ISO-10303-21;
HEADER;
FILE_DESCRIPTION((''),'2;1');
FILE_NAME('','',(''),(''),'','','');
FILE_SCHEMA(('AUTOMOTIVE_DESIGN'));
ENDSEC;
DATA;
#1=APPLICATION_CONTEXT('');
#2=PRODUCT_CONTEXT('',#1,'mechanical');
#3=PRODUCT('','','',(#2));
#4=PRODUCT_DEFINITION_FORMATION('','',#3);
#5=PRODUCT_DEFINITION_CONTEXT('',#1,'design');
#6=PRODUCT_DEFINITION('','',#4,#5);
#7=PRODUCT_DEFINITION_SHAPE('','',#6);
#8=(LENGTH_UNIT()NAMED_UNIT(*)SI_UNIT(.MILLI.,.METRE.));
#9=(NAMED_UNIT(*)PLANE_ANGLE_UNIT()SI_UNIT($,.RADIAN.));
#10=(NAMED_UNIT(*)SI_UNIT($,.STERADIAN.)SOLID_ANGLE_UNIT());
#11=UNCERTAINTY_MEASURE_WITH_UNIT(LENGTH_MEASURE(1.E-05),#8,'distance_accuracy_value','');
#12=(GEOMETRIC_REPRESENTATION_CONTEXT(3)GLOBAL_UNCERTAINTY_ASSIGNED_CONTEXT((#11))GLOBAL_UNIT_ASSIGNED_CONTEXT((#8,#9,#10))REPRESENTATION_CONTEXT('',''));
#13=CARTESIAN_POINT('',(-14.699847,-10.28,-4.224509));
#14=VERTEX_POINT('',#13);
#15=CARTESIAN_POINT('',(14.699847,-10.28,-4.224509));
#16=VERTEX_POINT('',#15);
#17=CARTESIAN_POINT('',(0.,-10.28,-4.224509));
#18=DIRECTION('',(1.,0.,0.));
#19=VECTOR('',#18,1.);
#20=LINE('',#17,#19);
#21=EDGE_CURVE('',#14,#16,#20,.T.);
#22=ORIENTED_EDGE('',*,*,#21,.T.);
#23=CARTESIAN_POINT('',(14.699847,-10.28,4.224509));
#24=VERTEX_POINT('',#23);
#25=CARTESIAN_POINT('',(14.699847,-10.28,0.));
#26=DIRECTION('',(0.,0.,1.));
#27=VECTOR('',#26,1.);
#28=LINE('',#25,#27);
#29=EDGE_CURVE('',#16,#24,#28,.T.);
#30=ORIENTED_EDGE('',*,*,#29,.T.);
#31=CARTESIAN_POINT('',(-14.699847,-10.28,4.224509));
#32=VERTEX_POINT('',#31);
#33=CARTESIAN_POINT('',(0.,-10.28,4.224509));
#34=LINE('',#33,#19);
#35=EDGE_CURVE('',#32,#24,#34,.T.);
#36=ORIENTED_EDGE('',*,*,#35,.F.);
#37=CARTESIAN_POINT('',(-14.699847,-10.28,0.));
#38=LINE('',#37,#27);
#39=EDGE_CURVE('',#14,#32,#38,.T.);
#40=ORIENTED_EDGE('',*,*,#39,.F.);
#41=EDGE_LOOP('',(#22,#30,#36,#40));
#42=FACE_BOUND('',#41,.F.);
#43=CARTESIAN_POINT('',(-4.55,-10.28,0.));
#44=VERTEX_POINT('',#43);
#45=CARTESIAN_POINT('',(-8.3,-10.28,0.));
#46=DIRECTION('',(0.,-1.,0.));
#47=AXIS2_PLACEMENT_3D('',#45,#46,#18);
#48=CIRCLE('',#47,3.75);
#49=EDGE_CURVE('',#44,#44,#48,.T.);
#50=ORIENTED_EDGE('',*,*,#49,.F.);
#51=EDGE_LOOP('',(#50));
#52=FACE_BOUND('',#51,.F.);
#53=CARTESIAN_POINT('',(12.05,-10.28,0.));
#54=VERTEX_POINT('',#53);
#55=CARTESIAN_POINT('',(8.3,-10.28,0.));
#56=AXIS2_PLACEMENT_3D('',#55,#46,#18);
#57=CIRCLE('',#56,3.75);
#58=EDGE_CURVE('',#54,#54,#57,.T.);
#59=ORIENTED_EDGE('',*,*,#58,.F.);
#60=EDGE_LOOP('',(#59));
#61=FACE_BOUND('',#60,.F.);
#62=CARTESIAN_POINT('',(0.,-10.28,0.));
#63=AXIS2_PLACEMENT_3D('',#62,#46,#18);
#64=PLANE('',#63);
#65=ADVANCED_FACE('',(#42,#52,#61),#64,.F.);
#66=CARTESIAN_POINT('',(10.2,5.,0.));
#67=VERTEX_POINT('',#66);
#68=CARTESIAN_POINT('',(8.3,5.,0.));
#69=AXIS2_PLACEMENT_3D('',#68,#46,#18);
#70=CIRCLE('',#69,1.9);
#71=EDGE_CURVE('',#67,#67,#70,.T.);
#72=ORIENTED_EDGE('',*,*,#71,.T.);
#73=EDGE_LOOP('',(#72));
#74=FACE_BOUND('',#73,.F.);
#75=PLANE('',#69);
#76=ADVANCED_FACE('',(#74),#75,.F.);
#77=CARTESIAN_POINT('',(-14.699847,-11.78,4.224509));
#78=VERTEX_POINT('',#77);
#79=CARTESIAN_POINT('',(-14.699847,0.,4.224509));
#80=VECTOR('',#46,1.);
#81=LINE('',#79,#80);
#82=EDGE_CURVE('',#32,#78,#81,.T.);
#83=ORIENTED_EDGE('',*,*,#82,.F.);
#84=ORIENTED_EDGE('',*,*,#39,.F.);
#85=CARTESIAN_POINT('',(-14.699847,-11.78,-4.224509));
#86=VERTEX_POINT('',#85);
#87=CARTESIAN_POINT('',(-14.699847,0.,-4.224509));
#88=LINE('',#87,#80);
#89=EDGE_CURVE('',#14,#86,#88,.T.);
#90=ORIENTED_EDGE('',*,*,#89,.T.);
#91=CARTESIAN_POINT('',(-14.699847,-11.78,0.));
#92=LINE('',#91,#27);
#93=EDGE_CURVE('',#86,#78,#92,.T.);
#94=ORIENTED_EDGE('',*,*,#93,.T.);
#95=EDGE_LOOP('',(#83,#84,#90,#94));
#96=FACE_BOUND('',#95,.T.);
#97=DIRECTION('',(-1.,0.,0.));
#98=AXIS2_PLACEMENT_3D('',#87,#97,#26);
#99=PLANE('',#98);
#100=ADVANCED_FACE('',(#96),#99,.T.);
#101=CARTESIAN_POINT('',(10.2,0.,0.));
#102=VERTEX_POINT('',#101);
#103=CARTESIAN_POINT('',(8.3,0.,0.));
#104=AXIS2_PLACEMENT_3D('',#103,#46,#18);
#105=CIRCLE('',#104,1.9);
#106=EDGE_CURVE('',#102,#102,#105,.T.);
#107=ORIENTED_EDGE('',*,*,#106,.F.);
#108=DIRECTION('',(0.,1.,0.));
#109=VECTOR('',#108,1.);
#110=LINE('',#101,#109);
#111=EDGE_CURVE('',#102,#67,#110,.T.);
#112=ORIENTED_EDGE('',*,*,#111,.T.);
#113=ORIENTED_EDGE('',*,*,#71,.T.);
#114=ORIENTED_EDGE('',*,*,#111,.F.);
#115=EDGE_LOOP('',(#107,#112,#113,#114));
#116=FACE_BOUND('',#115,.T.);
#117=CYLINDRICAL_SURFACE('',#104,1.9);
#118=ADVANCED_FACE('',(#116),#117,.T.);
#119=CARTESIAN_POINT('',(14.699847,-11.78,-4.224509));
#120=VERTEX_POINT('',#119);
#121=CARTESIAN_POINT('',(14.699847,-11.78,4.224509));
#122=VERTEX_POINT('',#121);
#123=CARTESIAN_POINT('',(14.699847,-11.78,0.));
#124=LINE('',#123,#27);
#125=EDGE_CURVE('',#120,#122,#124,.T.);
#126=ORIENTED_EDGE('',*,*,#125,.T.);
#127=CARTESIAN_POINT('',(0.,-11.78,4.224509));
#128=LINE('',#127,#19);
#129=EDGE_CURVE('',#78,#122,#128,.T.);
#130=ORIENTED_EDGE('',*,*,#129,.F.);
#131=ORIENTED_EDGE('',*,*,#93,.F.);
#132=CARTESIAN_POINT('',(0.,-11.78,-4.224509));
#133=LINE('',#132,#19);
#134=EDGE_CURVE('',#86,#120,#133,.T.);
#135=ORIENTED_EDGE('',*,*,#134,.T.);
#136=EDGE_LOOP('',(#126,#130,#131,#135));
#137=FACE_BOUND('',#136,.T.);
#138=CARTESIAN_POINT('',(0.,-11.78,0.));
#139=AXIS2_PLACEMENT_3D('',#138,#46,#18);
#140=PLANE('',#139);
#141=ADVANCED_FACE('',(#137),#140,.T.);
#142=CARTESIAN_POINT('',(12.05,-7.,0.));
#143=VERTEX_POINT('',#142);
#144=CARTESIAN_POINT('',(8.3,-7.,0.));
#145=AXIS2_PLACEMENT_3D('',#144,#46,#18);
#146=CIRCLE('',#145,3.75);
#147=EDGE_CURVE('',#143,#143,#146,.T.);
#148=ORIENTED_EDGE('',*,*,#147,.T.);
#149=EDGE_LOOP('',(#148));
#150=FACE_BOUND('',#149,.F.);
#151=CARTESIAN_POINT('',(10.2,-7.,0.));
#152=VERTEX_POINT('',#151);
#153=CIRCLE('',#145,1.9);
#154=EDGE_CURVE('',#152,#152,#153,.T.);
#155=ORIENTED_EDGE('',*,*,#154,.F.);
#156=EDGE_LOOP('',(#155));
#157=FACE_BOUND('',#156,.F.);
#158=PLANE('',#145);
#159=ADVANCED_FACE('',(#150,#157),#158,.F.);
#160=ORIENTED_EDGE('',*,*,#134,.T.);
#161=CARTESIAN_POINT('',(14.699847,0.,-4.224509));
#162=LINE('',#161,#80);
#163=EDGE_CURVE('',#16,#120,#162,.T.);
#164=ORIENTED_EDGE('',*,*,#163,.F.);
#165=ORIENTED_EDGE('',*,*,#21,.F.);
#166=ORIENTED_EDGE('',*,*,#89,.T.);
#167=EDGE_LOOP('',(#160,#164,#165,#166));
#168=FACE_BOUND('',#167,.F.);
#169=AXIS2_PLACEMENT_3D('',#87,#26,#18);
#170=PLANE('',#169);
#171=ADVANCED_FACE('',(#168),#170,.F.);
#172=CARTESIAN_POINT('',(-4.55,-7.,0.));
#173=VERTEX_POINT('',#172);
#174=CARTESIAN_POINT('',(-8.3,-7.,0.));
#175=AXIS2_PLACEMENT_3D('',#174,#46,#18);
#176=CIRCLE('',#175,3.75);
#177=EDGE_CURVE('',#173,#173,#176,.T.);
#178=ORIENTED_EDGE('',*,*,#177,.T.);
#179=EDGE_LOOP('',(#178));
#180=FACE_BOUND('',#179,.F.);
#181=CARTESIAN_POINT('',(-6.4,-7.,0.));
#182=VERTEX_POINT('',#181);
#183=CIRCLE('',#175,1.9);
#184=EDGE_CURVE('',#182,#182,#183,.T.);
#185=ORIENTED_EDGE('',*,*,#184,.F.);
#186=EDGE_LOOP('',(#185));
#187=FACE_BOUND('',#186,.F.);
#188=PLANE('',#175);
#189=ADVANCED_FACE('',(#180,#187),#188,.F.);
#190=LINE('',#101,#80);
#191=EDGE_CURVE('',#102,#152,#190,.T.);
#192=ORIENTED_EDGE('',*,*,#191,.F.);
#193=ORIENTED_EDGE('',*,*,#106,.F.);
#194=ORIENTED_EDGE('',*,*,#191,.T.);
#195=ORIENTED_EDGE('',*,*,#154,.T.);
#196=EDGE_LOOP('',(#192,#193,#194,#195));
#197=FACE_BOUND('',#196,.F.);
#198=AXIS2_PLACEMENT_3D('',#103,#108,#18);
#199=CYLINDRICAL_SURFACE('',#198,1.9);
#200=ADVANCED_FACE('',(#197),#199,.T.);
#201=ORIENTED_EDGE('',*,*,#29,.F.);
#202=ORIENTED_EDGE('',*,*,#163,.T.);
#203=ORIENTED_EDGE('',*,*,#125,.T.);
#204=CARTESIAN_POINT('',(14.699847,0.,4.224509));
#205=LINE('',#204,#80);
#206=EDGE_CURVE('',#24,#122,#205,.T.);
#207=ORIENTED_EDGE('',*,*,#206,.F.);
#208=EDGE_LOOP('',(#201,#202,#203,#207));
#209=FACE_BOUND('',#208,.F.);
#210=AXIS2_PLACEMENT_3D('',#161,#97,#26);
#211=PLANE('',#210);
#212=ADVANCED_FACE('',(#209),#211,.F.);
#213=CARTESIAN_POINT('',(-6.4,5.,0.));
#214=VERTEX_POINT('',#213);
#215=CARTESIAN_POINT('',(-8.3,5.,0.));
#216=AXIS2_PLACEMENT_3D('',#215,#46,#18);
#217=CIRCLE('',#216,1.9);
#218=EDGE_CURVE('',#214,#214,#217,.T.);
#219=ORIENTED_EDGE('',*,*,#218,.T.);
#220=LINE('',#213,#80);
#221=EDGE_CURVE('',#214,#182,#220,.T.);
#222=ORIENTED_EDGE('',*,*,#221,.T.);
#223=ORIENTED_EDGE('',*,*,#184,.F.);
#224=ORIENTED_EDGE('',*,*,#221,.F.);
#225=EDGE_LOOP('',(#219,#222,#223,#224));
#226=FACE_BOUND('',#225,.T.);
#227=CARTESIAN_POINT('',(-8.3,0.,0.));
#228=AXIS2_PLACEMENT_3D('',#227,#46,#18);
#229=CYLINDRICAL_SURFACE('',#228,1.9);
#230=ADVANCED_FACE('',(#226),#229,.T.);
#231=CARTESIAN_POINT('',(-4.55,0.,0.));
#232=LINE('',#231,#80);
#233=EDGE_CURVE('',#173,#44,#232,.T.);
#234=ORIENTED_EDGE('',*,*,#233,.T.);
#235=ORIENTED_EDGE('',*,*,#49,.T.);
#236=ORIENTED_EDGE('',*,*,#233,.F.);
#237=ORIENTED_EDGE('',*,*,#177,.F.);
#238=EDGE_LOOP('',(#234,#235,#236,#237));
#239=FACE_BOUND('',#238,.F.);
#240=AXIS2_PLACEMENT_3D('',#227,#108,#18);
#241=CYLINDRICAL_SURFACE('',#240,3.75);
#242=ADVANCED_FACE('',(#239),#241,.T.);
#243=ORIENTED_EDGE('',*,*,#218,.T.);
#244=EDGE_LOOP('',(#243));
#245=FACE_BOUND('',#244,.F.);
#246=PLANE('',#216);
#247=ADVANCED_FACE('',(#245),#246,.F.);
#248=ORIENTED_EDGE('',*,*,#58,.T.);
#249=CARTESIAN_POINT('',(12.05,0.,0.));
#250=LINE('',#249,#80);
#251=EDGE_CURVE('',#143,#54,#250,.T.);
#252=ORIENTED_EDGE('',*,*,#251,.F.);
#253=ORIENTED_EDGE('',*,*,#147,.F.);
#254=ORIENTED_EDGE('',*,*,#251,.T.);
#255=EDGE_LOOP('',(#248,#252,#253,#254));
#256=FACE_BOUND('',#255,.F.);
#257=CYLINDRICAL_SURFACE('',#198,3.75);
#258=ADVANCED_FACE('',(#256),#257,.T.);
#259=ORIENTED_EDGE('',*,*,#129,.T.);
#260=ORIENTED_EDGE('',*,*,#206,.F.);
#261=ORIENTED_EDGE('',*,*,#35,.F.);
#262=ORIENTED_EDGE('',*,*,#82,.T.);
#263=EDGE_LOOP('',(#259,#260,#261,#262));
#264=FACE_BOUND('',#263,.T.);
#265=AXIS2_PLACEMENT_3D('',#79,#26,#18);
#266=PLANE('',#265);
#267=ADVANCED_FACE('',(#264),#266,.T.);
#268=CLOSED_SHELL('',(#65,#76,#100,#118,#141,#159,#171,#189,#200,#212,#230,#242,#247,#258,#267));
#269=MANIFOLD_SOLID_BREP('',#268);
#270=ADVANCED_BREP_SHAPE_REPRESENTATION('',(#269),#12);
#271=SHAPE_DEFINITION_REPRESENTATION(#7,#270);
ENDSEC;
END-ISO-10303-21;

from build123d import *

# Parameters (mm, degrees)
F0_W     = 29.399694
F0_H     = 8.449018
F0_R     = 3.75
F0_R_2   = 1.9
F1_DEPTH = 11.78
F2_DEPTH = 10.28
F3_DEPTH = 7
F4_DEPTH = 5


with BuildPart() as f1:
    # F0 (on Front) → F1 (new body)
    with BuildSketch(Plane.XZ):
        Rectangle(F0_W, F0_H)
        with Locations((-8.3, 0)):
            Circle(F0_R, mode=Mode.SUBTRACT)
        with Locations((8.3, 0)):
            Circle(F0_R, mode=Mode.SUBTRACT)
        with Locations((-8.3, 0)):
            Circle(F0_R)
        with Locations((-8.3, 0)):
            Circle(F0_R_2, mode=Mode.SUBTRACT)
        with Locations((-8.3, 0)):
            Circle(F0_R_2)
        with Locations((8.3, 0)):
            Circle(F0_R)
        with Locations((8.3, 0)):
            Circle(F0_R_2, mode=Mode.SUBTRACT)
        with Locations((8.3, 0)):
            Circle(F0_R_2)
    extrude(amount=F1_DEPTH)

    # F0 (on Front) → F2 (cut)
    with BuildSketch(Plane.XZ):
        Rectangle(F0_W, F0_H)
        with Locations((-8.3, 0)):
            Circle(F0_R, mode=Mode.SUBTRACT)
        with Locations((8.3, 0)):
            Circle(F0_R, mode=Mode.SUBTRACT)
    extrude(amount=F2_DEPTH, mode=Mode.SUBTRACT)

    # F0 (on Front) → F3 (cut)
    with BuildSketch(Plane.XZ):
        with Locations((-8.3, 0)):
            Circle(F0_R)
        with Locations((-8.3, 0)):
            Circle(F0_R_2, mode=Mode.SUBTRACT)
        with Locations((8.3, 0)):
            Circle(F0_R)
        with Locations((8.3, 0)):
            Circle(F0_R_2, mode=Mode.SUBTRACT)
    extrude(amount=F3_DEPTH, mode=Mode.SUBTRACT)

    # F0 (on Front) → F4 (join)
    with BuildSketch(Plane.XZ):
        with Locations((-8.3, 0)):
            Circle(F0_R_2)
        with Locations((8.3, 0)):
            Circle(F0_R_2)
    extrude(amount=-F4_DEPTH)


solid = f1.part
